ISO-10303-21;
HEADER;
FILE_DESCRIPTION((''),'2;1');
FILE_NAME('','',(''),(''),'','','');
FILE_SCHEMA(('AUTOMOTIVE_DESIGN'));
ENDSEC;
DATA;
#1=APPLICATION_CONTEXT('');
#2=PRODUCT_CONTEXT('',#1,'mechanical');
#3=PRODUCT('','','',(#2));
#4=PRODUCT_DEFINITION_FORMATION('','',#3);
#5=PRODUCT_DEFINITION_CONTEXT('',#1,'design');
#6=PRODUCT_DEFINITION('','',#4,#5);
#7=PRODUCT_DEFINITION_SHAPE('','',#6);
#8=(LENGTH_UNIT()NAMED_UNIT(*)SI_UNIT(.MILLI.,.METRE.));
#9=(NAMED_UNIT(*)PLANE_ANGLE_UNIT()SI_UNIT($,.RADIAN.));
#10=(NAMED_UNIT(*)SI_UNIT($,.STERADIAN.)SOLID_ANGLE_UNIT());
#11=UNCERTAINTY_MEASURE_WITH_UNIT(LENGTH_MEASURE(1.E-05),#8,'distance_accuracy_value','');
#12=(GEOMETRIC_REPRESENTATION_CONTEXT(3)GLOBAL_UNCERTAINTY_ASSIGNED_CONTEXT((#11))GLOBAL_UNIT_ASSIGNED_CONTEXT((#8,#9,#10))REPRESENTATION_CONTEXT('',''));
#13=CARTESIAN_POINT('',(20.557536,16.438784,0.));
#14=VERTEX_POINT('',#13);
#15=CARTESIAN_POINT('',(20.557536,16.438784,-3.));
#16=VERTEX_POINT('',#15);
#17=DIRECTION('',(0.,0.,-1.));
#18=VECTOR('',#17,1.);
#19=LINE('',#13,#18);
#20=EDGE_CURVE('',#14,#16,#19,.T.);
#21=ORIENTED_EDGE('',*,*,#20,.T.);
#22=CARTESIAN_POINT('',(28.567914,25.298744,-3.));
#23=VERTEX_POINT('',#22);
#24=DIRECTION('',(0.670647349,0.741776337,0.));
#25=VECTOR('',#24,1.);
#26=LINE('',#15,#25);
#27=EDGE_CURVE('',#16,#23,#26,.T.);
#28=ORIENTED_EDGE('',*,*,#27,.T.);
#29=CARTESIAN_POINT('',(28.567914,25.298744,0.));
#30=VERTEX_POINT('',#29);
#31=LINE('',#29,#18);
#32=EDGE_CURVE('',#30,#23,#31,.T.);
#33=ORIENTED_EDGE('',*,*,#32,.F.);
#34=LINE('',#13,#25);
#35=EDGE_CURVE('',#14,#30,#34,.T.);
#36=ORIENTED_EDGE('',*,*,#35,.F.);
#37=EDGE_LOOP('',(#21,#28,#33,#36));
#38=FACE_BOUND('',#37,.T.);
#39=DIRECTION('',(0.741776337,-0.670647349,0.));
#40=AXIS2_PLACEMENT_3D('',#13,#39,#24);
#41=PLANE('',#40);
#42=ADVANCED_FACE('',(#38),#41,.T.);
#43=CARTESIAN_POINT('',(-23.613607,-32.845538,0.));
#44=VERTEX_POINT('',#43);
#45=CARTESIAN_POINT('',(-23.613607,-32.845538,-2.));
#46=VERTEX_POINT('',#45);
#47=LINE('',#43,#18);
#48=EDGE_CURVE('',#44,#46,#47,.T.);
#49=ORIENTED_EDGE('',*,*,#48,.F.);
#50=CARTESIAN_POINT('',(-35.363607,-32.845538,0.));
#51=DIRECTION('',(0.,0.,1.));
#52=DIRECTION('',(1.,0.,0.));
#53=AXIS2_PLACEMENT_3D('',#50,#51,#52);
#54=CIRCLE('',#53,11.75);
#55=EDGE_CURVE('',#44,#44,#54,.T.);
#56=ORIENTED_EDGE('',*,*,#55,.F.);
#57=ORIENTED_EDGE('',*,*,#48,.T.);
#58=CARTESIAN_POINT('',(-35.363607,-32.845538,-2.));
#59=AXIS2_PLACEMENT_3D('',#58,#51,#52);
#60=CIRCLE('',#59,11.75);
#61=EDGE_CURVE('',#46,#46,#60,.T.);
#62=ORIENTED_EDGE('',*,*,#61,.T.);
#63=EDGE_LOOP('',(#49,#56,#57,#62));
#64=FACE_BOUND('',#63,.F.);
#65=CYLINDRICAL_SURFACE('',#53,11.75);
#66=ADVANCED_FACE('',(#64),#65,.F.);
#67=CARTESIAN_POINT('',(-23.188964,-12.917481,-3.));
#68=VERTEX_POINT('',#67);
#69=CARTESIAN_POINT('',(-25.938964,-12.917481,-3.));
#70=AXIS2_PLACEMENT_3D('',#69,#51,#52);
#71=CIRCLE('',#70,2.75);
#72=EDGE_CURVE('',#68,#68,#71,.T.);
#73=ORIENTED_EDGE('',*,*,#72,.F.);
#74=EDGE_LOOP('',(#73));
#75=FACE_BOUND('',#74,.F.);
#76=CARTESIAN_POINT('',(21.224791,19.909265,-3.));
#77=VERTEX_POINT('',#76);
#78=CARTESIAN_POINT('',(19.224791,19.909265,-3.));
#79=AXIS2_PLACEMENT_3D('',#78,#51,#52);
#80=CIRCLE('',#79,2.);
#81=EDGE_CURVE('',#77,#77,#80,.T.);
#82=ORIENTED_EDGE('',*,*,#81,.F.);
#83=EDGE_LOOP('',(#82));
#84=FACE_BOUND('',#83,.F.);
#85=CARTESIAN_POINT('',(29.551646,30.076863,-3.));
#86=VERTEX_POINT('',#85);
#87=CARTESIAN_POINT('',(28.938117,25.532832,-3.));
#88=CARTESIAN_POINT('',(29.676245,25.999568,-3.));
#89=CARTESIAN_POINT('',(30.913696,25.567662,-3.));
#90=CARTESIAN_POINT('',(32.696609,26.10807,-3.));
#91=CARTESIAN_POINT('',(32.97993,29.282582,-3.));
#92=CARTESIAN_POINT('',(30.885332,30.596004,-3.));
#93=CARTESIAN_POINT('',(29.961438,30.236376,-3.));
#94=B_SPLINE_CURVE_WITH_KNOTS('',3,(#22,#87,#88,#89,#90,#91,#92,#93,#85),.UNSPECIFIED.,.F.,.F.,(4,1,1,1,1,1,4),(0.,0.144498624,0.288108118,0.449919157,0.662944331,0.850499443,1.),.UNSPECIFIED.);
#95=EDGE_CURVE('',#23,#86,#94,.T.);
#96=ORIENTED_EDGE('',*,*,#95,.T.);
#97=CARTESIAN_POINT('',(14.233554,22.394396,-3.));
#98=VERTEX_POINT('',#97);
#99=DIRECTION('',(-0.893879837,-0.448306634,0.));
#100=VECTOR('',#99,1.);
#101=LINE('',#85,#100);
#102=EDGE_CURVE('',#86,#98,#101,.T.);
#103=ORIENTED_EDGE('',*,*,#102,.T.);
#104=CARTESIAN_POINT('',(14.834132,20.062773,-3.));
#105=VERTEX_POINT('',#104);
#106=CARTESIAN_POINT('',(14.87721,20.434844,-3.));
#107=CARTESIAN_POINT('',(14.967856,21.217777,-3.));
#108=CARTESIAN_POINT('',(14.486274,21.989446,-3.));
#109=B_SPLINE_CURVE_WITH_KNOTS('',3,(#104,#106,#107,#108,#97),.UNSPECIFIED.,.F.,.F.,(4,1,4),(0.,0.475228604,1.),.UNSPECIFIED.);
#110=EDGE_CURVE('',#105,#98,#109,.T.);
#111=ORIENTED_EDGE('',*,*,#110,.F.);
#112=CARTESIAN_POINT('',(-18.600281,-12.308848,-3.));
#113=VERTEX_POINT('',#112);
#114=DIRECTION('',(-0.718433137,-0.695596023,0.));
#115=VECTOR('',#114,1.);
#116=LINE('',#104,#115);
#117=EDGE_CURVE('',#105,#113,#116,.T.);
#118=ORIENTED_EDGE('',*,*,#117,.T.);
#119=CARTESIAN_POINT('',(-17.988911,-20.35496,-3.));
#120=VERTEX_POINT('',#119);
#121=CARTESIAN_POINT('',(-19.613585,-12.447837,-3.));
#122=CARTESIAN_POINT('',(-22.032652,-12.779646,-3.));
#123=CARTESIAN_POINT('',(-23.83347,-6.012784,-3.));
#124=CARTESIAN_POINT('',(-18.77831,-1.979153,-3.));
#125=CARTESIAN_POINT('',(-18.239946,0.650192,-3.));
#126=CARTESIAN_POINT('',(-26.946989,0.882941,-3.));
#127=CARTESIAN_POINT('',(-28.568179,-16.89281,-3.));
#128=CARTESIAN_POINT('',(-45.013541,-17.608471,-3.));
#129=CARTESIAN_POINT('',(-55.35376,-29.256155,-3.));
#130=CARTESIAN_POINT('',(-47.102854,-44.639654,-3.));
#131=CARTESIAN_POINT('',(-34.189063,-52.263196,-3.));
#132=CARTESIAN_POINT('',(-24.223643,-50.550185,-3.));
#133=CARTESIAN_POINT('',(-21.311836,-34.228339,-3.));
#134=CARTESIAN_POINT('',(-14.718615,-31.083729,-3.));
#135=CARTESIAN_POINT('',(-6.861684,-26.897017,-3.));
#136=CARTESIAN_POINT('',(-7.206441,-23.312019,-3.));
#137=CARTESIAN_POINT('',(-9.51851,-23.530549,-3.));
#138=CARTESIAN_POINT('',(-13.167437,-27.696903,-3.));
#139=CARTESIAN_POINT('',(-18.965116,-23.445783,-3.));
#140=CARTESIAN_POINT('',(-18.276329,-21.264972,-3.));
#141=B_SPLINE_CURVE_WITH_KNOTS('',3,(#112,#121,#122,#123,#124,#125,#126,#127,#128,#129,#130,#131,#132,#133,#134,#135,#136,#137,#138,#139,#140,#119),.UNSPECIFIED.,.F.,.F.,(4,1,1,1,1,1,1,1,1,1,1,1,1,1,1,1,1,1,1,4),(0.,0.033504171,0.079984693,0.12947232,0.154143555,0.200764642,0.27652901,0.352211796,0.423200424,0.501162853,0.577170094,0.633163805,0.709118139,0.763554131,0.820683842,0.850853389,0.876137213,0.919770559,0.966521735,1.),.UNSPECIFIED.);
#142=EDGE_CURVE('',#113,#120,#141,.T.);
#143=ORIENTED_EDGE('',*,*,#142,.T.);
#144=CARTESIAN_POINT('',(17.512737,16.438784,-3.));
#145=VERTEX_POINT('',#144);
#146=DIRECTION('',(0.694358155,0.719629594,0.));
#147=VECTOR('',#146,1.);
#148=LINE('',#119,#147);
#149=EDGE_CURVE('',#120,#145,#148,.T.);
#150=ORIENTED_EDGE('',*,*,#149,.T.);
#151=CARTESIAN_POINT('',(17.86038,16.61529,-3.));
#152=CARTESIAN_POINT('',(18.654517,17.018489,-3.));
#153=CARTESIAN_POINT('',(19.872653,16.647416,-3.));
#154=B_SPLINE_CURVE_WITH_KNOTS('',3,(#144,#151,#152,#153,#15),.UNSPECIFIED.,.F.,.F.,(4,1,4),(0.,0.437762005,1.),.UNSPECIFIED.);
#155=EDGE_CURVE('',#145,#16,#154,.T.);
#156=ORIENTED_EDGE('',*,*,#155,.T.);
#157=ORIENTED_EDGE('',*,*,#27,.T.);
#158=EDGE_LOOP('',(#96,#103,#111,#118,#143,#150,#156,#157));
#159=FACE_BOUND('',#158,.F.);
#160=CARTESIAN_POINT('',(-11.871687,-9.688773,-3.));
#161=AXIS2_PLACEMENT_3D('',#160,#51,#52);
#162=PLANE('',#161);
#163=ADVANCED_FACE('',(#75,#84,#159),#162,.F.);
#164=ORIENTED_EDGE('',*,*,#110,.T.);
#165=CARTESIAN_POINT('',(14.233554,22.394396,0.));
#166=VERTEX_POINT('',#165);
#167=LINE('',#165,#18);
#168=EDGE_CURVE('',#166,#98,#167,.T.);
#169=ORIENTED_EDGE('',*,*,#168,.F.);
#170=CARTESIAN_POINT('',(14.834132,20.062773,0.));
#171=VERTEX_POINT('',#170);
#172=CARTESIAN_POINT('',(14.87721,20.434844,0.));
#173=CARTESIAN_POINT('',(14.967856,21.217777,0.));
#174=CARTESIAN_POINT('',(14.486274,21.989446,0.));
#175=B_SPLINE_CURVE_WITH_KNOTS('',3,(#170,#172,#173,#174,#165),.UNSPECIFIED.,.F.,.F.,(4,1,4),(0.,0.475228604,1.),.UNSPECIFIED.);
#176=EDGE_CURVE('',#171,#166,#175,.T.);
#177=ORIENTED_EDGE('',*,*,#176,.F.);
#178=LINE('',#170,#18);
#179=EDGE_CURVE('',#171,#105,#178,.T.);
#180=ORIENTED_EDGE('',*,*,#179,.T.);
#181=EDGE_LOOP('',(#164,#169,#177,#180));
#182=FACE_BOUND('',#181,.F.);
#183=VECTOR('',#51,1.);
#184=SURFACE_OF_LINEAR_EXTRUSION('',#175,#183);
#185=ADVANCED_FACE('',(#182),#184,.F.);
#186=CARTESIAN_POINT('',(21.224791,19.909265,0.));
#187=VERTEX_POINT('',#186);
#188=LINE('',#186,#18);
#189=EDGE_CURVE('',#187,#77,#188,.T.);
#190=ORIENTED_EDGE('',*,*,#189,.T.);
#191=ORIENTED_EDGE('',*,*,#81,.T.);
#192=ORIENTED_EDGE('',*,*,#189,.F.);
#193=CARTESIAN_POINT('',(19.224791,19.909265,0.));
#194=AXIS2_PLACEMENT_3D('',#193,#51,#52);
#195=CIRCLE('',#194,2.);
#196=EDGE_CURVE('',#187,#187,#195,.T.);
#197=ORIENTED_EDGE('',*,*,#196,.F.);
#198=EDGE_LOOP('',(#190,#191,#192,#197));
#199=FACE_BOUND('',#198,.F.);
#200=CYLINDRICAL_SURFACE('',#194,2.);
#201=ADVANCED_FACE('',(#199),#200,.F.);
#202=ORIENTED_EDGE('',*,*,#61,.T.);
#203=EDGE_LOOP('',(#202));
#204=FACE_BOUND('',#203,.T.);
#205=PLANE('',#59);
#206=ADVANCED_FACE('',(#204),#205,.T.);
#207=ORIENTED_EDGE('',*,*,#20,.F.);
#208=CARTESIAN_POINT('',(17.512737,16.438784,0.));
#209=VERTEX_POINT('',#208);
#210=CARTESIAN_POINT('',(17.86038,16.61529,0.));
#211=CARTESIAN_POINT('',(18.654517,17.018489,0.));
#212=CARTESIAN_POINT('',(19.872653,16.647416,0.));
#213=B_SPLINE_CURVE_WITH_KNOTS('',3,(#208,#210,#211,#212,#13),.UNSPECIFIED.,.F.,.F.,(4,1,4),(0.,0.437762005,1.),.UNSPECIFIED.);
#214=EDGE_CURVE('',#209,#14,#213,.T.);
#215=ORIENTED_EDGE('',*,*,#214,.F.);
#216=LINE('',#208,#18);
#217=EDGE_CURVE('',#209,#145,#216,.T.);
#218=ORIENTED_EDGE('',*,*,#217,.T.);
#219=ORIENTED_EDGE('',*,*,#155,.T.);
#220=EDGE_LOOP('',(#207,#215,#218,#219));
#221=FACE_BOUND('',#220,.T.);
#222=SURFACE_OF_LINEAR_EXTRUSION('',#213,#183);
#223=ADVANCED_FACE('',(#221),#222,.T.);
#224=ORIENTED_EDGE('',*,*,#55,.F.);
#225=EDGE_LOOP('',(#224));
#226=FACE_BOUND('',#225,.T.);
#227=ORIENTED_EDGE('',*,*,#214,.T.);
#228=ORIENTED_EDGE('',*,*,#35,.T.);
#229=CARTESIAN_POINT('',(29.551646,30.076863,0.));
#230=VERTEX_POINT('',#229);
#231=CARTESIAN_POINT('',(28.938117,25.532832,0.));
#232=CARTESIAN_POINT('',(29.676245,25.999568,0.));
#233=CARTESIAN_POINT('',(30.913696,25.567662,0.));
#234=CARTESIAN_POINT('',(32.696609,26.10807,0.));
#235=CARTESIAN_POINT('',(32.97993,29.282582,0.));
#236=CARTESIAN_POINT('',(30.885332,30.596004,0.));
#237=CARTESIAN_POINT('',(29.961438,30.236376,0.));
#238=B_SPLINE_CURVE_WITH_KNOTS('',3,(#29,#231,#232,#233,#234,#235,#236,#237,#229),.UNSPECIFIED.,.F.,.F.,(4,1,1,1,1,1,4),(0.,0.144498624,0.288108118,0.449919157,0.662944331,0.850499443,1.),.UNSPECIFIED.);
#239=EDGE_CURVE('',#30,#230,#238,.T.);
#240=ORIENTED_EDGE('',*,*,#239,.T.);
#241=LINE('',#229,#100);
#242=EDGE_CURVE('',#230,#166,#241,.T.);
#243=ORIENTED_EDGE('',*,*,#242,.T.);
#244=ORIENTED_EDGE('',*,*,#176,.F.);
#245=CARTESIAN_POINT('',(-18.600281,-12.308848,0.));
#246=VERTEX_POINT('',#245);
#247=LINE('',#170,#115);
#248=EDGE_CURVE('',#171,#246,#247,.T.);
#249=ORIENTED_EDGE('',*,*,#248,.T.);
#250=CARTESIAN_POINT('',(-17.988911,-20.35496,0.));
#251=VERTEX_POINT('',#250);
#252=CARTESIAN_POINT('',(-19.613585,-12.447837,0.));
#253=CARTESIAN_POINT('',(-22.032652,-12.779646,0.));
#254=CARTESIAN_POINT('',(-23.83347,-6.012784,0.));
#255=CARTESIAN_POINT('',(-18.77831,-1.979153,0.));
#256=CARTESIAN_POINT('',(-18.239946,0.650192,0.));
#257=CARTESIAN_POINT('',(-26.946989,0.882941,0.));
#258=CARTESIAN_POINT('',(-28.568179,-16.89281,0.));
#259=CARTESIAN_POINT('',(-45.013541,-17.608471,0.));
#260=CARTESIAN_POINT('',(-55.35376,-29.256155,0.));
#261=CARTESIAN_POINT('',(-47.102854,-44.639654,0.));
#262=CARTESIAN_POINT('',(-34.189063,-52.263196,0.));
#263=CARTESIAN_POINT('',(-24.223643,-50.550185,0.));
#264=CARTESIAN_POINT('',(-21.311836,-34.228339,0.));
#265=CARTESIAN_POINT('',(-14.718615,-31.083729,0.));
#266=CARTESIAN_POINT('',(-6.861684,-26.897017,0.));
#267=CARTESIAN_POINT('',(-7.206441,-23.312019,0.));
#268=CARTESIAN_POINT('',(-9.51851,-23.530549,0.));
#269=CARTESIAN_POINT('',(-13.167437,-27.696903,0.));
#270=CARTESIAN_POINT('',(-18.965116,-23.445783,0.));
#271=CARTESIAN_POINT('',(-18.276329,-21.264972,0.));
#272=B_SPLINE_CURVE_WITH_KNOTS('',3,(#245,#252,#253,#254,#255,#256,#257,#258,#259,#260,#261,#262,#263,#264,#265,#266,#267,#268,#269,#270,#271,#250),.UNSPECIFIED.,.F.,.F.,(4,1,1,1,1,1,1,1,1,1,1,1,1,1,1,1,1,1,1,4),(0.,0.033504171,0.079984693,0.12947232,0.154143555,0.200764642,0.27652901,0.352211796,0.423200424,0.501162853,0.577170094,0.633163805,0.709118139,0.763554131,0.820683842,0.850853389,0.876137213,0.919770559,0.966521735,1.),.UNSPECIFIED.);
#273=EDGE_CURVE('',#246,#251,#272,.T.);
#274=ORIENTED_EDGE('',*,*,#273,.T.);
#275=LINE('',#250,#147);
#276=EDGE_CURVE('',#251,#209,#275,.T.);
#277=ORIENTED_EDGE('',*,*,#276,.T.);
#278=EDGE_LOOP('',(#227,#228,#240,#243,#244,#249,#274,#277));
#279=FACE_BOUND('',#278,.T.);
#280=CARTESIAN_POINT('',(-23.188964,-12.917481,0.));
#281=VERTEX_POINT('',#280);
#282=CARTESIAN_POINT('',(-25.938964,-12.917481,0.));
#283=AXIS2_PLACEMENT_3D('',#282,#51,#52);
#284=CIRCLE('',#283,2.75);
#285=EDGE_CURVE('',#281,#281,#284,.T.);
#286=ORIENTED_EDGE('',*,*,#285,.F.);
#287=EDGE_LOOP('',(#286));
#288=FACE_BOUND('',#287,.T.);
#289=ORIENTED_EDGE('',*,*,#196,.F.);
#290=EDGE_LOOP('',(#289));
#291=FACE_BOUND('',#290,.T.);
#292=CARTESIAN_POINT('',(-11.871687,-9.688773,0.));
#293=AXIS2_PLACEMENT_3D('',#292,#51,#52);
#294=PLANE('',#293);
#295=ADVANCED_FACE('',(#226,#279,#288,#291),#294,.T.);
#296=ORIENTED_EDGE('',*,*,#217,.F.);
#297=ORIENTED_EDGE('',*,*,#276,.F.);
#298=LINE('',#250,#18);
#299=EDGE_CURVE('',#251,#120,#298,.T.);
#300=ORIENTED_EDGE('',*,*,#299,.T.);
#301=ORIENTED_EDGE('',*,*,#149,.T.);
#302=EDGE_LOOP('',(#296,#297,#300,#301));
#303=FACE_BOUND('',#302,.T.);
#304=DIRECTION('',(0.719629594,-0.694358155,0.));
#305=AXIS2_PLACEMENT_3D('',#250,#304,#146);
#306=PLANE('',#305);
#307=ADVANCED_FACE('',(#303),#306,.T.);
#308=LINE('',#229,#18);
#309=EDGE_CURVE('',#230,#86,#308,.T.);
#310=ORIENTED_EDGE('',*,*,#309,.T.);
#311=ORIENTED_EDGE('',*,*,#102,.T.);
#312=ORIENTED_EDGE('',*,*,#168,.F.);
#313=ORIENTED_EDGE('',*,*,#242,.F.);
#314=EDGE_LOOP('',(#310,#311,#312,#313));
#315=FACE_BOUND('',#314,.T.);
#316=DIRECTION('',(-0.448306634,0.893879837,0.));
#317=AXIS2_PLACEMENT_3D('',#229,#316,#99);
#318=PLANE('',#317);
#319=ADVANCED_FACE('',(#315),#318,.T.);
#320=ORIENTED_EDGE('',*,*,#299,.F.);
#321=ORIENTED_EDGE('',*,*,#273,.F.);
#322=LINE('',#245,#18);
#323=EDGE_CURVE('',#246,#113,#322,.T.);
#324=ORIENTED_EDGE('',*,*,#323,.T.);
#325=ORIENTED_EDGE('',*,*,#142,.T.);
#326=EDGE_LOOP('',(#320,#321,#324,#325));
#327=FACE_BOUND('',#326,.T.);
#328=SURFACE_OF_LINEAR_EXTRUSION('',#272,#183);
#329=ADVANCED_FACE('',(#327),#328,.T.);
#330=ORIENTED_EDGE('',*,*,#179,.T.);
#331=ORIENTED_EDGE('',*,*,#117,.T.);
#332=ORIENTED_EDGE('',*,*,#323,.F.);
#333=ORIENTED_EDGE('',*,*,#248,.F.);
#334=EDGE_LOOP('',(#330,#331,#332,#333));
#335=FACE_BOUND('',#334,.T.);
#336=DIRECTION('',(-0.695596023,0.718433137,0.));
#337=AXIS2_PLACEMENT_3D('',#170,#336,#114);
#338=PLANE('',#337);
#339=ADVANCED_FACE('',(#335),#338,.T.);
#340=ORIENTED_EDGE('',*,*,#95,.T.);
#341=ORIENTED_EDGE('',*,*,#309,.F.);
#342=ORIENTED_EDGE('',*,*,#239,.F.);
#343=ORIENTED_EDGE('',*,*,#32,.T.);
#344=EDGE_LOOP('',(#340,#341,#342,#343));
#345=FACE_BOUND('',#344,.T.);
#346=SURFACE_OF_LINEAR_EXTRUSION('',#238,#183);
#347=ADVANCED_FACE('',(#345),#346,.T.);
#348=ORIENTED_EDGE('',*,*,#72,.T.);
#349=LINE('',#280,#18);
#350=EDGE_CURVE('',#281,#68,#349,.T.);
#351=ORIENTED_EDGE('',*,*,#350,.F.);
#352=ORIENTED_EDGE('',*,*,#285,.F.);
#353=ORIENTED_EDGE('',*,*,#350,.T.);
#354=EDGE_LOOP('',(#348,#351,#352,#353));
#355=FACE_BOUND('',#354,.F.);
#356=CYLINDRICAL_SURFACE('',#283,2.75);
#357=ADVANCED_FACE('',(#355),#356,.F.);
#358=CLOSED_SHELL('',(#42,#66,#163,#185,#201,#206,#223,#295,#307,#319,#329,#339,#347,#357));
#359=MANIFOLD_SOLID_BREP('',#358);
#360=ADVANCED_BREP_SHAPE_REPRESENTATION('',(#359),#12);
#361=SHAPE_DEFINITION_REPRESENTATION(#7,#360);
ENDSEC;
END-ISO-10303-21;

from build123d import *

# Parameters (mm, degrees)
F0_R     = 2.75
F0_R_2   = 2
F1_DEPTH = 3
F2_R     = 11.75
F3_DEPTH = 2


with BuildPart() as f1:
    # F0 (on Top) → F1 (new body)
    with BuildSketch(Plane.XY):
        with BuildLine():
            Line((14.8341320455, 20.0627725571), (-18.600281328, -12.3088480905))
            add(Edge.make_bspline(
                [(-18.600281328, -12.3088480905), (-19.613585405, -12.4478371241), (-22.0326518141, -12.7796464102), (-23.8334698924, -6.0127843897), (-18.7783100109, -1.9791525264), (-18.2399458857, 0.6501915562), (-26.9469886021, 0.8829411976), (-28.5681789787, -16.8928098384), (-45.0135411693, -17.6084712941), (-55.3537601502, -29.256154928), (-47.1028541723, -44.6396537124), (-34.1890625637, -52.2631961399), (-24.2236433802, -50.550184647), (-21.3118359559, -34.228338839), (-14.7186149942, -31.0837291609), (-6.8616835516, -26.8970174361), (-7.2064410493, -23.3120194394), (-9.5185098506, -23.5305491897), (-13.1674365018, -27.6969026666), (-18.9651163151, -23.4457834642), (-18.2763290921, -21.2649723396), (-17.9889108986, -20.3549601138)],
                knots=[0, 0, 0, 0, 0.0335041714, 0.0799846931, 0.1294723202, 0.1541435545, 0.2007646423, 0.2765290101, 0.3522117963, 0.423200424, 0.5011628533, 0.577170094, 0.6331638053, 0.7091181393, 0.763554131, 0.8206838423, 0.8508533887, 0.8761372128, 0.9197705592, 0.9665217354, 1, 1, 1, 1], degree=3))
            Line((-17.9889108986, -20.3549601138), (17.512736842, 16.4387840778))
            add(Edge.make_bspline(
                [(17.512736842, 16.4387840778), (17.8603800011, 16.6152895627), (18.6545173514, 17.0184892072), (19.8726534276, 16.6474157015), (20.5575358123, 16.4387840778)],
                knots=[0, 0, 0, 0, 0.4377620054, 1, 1, 1, 1], degree=3))
            Line((20.5575358123, 16.4387840778), (28.5679139197, 25.2987444401))
            add(Edge.make_bspline(
                [(28.5679139197, 25.2987444401), (28.9381168856, 25.5328322761), (29.6762448788, 25.9995675553), (30.9136955475, 25.5676622441), (32.696608516, 26.1080699119), (32.9799296592, 29.2825821498), (30.885332058, 30.596003902), (29.9614377378, 30.2363757803), (29.5516457409, 30.0768632442)],
                knots=[0, 0, 0, 0, 0.1444986244, 0.2881081177, 0.4499191573, 0.6629443312, 0.8504994429, 1, 1, 1, 1], degree=3))
            Line((29.5516457409, 30.0768632442), (14.2335537821, 22.3943963647))
            add(Edge.make_bspline(
                [(14.8341320455, 20.0627725571), (14.8772098292, 20.4348443511), (14.9678562745, 21.2177765877), (14.4862742522, 21.9894462165), (14.2335537821, 22.3943963647)],
                knots=[0, 0, 0, 0, 0.4752286042, 1, 1, 1, 1], degree=3))
        make_face()
        with Locations((-25.9389635175, -12.9174813628)):
            Circle(F0_R, mode=Mode.SUBTRACT)
        with Locations((19.2247908562, 19.9092645198)):
            Circle(F0_R_2, mode=Mode.SUBTRACT)
    extrude(amount=-F1_DEPTH)

    # F2 (on face) → F3 (cut)
    with BuildSketch(Plane.XY):
        with Locations((-35.3636071086, -32.8455381095)):
            Circle(F2_R)
    extrude(amount=-F3_DEPTH, mode=Mode.SUBTRACT)


solid = f1.part
